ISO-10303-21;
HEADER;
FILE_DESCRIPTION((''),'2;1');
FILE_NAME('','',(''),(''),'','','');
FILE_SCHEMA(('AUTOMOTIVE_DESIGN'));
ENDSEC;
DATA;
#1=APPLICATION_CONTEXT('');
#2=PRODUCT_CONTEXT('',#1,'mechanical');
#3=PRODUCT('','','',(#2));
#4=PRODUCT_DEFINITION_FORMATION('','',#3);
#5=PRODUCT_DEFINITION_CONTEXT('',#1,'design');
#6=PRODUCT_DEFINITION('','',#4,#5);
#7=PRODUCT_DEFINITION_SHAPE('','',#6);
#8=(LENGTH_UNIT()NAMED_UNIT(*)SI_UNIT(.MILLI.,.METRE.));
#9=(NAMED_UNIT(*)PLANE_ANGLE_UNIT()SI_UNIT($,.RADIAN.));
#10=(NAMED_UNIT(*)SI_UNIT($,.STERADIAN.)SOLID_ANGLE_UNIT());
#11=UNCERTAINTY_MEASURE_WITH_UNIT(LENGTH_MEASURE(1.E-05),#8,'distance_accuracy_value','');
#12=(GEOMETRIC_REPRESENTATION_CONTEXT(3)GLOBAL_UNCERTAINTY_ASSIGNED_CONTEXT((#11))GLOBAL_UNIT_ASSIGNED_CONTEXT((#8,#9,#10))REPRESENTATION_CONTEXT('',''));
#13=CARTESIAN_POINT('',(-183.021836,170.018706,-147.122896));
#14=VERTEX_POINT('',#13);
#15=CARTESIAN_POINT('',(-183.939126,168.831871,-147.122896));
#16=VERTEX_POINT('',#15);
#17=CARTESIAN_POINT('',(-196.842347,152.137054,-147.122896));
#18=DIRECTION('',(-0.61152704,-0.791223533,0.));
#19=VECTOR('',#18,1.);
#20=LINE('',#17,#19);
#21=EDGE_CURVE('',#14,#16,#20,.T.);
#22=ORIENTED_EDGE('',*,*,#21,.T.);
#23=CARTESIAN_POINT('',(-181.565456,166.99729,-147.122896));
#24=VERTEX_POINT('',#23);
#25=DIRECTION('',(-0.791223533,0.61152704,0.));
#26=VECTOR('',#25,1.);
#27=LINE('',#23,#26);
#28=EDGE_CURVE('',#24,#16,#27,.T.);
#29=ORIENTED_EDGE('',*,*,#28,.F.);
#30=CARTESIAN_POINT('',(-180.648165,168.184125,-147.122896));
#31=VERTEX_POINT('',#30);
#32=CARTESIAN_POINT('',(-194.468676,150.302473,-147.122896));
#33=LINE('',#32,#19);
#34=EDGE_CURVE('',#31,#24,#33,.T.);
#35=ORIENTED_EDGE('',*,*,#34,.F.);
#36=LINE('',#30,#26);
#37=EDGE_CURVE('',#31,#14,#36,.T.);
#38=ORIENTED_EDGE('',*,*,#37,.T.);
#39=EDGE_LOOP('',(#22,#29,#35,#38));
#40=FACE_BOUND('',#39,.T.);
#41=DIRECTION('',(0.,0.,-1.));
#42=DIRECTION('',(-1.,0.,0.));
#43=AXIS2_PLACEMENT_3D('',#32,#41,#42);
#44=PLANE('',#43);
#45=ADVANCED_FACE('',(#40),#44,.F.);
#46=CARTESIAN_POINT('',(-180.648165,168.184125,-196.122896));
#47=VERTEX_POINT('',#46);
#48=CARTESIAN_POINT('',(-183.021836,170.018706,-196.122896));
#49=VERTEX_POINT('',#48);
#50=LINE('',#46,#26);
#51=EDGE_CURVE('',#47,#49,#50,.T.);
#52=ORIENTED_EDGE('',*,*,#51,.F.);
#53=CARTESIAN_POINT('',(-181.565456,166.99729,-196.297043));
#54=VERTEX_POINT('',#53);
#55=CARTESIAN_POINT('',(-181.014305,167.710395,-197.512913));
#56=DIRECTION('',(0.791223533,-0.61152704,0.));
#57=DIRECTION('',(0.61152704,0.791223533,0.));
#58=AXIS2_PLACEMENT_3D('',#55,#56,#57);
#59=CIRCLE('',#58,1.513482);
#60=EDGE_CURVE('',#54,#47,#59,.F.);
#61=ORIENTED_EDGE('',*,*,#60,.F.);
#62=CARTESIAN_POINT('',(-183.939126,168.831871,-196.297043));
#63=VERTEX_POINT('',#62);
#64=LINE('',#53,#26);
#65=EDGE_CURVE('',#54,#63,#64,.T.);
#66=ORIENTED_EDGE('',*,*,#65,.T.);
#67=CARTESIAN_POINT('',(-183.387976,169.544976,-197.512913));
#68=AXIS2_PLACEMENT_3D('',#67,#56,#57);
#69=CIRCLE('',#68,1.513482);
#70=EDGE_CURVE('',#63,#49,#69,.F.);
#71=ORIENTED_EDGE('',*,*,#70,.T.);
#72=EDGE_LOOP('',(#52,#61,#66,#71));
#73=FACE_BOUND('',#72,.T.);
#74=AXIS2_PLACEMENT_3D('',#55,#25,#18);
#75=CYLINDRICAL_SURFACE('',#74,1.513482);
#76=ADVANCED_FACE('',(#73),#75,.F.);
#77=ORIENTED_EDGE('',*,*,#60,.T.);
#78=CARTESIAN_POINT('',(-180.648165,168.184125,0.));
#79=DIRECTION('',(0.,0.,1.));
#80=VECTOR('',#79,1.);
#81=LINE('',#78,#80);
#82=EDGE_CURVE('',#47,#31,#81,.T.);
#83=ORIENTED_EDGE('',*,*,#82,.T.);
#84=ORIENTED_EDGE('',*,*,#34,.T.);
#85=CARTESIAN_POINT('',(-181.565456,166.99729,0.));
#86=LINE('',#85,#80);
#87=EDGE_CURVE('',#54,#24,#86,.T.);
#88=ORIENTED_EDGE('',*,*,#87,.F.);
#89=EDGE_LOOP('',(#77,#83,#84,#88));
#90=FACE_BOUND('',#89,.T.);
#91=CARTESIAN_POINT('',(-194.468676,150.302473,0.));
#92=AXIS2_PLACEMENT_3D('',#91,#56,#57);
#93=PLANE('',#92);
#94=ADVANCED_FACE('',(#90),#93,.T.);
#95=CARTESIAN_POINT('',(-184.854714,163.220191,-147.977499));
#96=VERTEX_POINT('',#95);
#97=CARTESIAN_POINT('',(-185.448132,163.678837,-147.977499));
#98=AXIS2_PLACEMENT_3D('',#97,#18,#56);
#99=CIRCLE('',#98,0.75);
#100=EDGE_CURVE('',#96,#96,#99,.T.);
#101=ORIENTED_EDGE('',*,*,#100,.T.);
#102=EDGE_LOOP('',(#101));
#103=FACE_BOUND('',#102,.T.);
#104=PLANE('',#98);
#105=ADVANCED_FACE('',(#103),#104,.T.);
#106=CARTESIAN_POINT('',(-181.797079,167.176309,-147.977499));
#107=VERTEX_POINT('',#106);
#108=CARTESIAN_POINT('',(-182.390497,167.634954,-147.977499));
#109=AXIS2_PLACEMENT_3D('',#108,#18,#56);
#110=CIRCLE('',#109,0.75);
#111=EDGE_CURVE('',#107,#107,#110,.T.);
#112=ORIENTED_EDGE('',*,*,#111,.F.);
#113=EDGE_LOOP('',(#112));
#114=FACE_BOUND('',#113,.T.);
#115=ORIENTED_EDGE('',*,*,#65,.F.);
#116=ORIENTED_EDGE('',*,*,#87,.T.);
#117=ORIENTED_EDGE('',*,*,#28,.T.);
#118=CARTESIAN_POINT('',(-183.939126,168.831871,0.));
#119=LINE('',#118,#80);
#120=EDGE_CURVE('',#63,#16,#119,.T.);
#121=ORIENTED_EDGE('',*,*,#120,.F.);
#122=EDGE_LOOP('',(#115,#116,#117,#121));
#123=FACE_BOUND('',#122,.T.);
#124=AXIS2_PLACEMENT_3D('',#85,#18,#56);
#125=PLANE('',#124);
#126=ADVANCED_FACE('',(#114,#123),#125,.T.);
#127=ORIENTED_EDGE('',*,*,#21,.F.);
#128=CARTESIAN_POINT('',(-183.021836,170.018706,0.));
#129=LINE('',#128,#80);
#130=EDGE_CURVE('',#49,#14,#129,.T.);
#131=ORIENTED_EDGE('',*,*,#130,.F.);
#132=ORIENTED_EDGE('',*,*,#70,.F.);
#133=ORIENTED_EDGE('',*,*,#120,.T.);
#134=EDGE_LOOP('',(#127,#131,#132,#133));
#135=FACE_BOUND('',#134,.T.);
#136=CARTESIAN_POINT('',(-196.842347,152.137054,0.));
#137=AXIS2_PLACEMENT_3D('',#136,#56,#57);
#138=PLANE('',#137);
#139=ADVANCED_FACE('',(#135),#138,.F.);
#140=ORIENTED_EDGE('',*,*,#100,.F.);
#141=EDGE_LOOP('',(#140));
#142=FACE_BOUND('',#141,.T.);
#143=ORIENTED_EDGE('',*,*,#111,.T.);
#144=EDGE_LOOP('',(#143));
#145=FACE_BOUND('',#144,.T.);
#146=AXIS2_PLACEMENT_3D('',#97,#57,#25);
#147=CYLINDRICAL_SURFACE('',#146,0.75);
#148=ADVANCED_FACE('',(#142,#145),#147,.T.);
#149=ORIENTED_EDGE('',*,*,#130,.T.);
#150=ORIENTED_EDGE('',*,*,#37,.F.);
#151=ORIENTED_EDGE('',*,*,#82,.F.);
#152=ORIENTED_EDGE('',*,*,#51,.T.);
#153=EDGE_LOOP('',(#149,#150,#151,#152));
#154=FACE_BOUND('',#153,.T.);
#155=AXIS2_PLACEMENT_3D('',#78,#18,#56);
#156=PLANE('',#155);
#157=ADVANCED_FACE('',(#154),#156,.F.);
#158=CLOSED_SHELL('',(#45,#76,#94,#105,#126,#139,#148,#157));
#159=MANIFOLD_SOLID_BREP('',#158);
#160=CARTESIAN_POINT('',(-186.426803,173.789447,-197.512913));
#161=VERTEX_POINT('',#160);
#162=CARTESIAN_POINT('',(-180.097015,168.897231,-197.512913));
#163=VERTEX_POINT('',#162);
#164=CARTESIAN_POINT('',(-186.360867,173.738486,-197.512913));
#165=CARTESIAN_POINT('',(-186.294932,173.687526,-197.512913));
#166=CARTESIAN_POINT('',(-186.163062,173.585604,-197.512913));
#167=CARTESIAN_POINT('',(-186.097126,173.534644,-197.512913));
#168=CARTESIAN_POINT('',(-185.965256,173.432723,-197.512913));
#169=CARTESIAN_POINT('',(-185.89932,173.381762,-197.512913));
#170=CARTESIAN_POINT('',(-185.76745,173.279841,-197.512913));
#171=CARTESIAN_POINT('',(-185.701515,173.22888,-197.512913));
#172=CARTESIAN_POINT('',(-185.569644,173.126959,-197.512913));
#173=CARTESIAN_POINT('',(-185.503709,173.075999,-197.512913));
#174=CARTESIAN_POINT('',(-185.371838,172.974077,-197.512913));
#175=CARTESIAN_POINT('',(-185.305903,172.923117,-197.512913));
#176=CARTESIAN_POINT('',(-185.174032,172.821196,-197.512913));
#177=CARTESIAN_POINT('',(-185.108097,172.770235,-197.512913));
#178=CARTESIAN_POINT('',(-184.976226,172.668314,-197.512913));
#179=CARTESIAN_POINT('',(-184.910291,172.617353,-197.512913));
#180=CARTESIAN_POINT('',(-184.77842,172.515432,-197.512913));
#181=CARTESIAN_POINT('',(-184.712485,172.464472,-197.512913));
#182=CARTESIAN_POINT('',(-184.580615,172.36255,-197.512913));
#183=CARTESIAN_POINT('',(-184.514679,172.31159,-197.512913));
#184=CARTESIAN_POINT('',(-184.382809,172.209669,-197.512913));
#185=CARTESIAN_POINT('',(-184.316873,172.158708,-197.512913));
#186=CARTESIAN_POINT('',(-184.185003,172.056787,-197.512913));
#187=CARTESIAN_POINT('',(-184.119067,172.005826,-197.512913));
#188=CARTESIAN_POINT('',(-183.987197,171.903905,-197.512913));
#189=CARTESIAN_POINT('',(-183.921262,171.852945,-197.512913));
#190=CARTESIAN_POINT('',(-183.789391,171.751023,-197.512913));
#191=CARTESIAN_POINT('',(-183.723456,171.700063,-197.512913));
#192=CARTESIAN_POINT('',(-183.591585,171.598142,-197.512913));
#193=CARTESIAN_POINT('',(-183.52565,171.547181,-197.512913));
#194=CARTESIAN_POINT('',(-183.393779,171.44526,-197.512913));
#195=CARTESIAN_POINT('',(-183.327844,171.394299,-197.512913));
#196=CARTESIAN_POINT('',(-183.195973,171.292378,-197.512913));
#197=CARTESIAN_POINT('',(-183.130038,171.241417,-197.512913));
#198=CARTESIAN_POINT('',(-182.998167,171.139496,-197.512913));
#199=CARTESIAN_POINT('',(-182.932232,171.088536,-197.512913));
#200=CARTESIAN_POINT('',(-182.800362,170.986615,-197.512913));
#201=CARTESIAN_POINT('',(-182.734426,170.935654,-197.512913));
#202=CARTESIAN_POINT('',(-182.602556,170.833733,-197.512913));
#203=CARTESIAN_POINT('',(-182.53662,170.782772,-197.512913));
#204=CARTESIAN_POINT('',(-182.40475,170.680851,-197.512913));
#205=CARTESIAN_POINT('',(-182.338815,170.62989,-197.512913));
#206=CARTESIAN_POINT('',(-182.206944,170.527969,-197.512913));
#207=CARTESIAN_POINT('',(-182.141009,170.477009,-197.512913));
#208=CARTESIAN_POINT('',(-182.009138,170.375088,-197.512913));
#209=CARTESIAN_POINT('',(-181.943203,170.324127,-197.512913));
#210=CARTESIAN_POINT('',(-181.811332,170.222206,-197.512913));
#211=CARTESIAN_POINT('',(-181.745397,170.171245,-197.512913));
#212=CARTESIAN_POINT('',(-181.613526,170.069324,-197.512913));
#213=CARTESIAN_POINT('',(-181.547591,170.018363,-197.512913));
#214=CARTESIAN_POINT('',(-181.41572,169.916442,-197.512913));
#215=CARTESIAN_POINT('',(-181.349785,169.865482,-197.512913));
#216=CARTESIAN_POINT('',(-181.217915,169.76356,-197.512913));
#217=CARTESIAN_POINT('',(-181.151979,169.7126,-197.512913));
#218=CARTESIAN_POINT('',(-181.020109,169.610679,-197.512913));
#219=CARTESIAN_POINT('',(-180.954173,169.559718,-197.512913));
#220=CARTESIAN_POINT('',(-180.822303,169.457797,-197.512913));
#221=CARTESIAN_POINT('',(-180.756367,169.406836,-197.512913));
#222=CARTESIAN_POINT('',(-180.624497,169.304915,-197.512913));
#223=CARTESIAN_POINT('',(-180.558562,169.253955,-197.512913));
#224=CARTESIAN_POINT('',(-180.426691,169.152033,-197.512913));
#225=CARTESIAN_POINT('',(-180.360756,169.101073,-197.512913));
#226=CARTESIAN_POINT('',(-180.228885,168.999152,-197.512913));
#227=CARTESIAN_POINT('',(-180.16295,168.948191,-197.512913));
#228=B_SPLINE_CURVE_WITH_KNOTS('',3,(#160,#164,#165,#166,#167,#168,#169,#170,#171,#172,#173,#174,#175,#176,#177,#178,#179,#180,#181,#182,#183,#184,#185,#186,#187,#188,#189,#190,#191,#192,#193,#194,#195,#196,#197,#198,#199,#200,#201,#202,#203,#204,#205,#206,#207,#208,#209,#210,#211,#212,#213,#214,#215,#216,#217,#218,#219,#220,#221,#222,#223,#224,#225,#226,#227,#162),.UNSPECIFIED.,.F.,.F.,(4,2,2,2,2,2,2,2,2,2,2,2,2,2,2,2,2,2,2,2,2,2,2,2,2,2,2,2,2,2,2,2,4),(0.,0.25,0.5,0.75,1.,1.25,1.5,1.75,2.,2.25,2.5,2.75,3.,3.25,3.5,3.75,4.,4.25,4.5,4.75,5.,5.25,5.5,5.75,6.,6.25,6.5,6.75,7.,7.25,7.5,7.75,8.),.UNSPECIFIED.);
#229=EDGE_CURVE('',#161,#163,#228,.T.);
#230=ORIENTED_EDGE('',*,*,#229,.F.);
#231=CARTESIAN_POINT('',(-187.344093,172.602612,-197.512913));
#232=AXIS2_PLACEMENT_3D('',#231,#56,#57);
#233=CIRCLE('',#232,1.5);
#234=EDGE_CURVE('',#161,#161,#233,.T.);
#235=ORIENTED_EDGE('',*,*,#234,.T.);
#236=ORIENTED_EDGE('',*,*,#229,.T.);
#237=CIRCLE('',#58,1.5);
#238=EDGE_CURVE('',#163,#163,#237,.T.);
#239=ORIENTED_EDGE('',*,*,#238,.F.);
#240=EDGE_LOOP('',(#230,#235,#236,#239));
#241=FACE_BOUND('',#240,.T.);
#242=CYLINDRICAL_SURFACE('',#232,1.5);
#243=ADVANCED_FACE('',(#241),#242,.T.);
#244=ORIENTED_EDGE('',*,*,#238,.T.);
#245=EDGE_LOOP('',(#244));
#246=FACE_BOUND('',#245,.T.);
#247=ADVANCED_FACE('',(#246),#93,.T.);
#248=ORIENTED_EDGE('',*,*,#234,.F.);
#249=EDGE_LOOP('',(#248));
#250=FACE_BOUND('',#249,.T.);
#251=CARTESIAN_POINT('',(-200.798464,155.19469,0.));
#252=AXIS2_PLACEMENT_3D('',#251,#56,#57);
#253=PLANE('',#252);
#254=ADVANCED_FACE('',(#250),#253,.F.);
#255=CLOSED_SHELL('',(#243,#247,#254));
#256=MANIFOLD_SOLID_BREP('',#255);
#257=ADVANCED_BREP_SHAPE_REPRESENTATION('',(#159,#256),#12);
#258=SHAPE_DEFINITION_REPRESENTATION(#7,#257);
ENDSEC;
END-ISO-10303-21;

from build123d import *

# Parameters (mm, degrees)
BOSS_EXTRUDE1_DEPTH = 5
BOSS_EXTRUDE2_START = 3
SKETCH1_3_R         = 1.5
BOSS_EXTRUDE2_DEPTH = 3
SKETCH2_R           = 0.75
BOSS_EXTRUDE3_DEPTH = 5


with BuildPart() as part:
    # Sketch1 → Boss-Extrude1 (new body)
    with BuildSketch(Plane(origin=(-196.842346713, 152.137054389, 0), x_dir=(0, 0, -1), z_dir=(0.7912235329674926, -0.6115270401858278, 0))):
        with BuildLine():
            ThreePointArc((196.313865969, 21.1), (197.988007446, 20.578495388), (199.012913027, 22.001269191))
            ThreePointArc((199.012913027, 22.001269191), (197.037818608, 23.424042993), (196.313865969, 21.1))
        make_face()
    extrude(amount=-BOSS_EXTRUDE1_DEPTH)

    # Sketch1<3> → Boss-Extrude2 (add)
    with BuildSketch(Plane(origin=(-196.842346713, 152.137054389, 0), x_dir=(0, 0, -1), z_dir=(0.7912235329674926, -0.6115270401858278, 0)).offset(BOSS_EXTRUDE2_START)):
        with BuildLine():
            ThreePointArc((196.297042618, 21.1), (196.00952923, 21.826729329), (196.122895609, 22.6))
            Line((196.122895609, 22.6), (147.122895609, 22.6))
            Line((147.122895609, 22.6), (147.122895609, 21.1))
            Line((147.122895609, 21.1), (196.297042618, 21.1))
        make_face()
        with Locations((197.512913027, 22.001269191)):
            Circle(SKETCH1_3_R)
    extrude(amount=-BOSS_EXTRUDE2_DEPTH)


with BuildPart() as boss_extrude2_piece_1:
    # of the separate pieces the step leaves, piece 1, a body of its own (boss_extrude2_pieces)
    add(part.part.solids().sort_by_distance((-181.565455567, 166.997289814, -147.122895609))[0])

    # Sketch2 → Boss-Extrude3 (add)
    with BuildSketch(Plane(origin=(12.903220548, 16.694816546, 0), x_dir=(0.7912235329674926, -0.6115270401858278, 0), z_dir=(-0.6115270401858278, -0.7912235329674926, 0))):
        with Locations((-246.824960676, -147.977498822)):
            Circle(SKETCH2_R)
    extrude(amount=BOSS_EXTRUDE3_DEPTH)


with BuildPart() as boss_extrude2_piece_2:
    # of the separate pieces the step leaves, piece 2, a body of its own (boss_extrude2_pieces)
    add(part.part.solids().sort_by_distance((-187.89524383, 171.889506136, -196.313865969))[0])


solid = Compound([boss_extrude2_piece_1.part, boss_extrude2_piece_2.part])
